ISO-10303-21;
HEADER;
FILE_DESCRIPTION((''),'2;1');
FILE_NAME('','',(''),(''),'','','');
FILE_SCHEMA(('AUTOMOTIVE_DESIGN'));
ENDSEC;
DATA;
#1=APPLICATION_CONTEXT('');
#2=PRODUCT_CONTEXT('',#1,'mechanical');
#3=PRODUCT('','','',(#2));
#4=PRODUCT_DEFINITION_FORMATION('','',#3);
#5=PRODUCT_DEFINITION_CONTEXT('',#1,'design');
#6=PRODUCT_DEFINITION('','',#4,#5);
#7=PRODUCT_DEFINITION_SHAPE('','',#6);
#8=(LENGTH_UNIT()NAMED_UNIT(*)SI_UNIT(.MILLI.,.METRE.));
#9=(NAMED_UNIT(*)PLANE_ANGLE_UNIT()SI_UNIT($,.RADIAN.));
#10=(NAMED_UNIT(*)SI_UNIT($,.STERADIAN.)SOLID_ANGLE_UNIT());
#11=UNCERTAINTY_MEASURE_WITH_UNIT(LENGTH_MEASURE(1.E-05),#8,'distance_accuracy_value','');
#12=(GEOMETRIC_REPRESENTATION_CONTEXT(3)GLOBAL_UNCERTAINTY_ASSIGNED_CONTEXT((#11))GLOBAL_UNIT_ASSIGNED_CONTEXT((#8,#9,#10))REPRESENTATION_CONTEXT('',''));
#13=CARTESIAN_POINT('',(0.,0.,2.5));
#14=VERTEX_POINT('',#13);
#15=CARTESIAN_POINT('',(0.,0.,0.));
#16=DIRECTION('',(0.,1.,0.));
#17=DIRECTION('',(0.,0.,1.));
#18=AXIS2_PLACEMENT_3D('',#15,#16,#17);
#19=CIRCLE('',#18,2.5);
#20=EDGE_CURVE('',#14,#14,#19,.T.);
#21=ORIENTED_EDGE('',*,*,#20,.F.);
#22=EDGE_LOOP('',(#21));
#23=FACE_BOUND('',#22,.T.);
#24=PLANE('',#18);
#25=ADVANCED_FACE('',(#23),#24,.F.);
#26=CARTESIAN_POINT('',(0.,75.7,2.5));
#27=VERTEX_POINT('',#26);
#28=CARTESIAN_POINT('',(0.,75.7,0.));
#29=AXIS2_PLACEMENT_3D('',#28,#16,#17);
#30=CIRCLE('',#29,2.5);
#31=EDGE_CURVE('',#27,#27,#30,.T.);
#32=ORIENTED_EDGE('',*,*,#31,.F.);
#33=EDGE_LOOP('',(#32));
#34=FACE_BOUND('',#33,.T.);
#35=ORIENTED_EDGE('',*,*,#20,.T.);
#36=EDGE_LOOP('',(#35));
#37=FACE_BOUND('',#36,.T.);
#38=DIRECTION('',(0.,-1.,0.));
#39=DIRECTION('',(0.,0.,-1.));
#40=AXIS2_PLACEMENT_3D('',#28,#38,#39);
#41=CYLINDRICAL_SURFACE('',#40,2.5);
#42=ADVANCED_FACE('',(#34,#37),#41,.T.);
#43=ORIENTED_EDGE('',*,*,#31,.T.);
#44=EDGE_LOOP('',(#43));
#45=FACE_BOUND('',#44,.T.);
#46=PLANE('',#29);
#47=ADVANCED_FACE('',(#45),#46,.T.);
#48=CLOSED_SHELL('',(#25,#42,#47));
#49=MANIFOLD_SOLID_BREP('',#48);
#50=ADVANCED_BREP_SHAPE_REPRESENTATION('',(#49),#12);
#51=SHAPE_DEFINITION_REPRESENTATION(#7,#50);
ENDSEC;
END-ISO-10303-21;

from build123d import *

# Parameters (mm, degrees)
SKETCH1_R           = 2.5
BOSS_EXTRUDE1_DEPTH = 75.7


with BuildPart() as part:
    # Sketch1 → Boss-Extrude1 (new body)
    with BuildSketch(Plane(origin=(0, 0, 0), x_dir=(1, 0, 0), z_dir=(0, 1, 0))):
        Circle(SKETCH1_R)
    extrude(amount=BOSS_EXTRUDE1_DEPTH)


solid = part.part
